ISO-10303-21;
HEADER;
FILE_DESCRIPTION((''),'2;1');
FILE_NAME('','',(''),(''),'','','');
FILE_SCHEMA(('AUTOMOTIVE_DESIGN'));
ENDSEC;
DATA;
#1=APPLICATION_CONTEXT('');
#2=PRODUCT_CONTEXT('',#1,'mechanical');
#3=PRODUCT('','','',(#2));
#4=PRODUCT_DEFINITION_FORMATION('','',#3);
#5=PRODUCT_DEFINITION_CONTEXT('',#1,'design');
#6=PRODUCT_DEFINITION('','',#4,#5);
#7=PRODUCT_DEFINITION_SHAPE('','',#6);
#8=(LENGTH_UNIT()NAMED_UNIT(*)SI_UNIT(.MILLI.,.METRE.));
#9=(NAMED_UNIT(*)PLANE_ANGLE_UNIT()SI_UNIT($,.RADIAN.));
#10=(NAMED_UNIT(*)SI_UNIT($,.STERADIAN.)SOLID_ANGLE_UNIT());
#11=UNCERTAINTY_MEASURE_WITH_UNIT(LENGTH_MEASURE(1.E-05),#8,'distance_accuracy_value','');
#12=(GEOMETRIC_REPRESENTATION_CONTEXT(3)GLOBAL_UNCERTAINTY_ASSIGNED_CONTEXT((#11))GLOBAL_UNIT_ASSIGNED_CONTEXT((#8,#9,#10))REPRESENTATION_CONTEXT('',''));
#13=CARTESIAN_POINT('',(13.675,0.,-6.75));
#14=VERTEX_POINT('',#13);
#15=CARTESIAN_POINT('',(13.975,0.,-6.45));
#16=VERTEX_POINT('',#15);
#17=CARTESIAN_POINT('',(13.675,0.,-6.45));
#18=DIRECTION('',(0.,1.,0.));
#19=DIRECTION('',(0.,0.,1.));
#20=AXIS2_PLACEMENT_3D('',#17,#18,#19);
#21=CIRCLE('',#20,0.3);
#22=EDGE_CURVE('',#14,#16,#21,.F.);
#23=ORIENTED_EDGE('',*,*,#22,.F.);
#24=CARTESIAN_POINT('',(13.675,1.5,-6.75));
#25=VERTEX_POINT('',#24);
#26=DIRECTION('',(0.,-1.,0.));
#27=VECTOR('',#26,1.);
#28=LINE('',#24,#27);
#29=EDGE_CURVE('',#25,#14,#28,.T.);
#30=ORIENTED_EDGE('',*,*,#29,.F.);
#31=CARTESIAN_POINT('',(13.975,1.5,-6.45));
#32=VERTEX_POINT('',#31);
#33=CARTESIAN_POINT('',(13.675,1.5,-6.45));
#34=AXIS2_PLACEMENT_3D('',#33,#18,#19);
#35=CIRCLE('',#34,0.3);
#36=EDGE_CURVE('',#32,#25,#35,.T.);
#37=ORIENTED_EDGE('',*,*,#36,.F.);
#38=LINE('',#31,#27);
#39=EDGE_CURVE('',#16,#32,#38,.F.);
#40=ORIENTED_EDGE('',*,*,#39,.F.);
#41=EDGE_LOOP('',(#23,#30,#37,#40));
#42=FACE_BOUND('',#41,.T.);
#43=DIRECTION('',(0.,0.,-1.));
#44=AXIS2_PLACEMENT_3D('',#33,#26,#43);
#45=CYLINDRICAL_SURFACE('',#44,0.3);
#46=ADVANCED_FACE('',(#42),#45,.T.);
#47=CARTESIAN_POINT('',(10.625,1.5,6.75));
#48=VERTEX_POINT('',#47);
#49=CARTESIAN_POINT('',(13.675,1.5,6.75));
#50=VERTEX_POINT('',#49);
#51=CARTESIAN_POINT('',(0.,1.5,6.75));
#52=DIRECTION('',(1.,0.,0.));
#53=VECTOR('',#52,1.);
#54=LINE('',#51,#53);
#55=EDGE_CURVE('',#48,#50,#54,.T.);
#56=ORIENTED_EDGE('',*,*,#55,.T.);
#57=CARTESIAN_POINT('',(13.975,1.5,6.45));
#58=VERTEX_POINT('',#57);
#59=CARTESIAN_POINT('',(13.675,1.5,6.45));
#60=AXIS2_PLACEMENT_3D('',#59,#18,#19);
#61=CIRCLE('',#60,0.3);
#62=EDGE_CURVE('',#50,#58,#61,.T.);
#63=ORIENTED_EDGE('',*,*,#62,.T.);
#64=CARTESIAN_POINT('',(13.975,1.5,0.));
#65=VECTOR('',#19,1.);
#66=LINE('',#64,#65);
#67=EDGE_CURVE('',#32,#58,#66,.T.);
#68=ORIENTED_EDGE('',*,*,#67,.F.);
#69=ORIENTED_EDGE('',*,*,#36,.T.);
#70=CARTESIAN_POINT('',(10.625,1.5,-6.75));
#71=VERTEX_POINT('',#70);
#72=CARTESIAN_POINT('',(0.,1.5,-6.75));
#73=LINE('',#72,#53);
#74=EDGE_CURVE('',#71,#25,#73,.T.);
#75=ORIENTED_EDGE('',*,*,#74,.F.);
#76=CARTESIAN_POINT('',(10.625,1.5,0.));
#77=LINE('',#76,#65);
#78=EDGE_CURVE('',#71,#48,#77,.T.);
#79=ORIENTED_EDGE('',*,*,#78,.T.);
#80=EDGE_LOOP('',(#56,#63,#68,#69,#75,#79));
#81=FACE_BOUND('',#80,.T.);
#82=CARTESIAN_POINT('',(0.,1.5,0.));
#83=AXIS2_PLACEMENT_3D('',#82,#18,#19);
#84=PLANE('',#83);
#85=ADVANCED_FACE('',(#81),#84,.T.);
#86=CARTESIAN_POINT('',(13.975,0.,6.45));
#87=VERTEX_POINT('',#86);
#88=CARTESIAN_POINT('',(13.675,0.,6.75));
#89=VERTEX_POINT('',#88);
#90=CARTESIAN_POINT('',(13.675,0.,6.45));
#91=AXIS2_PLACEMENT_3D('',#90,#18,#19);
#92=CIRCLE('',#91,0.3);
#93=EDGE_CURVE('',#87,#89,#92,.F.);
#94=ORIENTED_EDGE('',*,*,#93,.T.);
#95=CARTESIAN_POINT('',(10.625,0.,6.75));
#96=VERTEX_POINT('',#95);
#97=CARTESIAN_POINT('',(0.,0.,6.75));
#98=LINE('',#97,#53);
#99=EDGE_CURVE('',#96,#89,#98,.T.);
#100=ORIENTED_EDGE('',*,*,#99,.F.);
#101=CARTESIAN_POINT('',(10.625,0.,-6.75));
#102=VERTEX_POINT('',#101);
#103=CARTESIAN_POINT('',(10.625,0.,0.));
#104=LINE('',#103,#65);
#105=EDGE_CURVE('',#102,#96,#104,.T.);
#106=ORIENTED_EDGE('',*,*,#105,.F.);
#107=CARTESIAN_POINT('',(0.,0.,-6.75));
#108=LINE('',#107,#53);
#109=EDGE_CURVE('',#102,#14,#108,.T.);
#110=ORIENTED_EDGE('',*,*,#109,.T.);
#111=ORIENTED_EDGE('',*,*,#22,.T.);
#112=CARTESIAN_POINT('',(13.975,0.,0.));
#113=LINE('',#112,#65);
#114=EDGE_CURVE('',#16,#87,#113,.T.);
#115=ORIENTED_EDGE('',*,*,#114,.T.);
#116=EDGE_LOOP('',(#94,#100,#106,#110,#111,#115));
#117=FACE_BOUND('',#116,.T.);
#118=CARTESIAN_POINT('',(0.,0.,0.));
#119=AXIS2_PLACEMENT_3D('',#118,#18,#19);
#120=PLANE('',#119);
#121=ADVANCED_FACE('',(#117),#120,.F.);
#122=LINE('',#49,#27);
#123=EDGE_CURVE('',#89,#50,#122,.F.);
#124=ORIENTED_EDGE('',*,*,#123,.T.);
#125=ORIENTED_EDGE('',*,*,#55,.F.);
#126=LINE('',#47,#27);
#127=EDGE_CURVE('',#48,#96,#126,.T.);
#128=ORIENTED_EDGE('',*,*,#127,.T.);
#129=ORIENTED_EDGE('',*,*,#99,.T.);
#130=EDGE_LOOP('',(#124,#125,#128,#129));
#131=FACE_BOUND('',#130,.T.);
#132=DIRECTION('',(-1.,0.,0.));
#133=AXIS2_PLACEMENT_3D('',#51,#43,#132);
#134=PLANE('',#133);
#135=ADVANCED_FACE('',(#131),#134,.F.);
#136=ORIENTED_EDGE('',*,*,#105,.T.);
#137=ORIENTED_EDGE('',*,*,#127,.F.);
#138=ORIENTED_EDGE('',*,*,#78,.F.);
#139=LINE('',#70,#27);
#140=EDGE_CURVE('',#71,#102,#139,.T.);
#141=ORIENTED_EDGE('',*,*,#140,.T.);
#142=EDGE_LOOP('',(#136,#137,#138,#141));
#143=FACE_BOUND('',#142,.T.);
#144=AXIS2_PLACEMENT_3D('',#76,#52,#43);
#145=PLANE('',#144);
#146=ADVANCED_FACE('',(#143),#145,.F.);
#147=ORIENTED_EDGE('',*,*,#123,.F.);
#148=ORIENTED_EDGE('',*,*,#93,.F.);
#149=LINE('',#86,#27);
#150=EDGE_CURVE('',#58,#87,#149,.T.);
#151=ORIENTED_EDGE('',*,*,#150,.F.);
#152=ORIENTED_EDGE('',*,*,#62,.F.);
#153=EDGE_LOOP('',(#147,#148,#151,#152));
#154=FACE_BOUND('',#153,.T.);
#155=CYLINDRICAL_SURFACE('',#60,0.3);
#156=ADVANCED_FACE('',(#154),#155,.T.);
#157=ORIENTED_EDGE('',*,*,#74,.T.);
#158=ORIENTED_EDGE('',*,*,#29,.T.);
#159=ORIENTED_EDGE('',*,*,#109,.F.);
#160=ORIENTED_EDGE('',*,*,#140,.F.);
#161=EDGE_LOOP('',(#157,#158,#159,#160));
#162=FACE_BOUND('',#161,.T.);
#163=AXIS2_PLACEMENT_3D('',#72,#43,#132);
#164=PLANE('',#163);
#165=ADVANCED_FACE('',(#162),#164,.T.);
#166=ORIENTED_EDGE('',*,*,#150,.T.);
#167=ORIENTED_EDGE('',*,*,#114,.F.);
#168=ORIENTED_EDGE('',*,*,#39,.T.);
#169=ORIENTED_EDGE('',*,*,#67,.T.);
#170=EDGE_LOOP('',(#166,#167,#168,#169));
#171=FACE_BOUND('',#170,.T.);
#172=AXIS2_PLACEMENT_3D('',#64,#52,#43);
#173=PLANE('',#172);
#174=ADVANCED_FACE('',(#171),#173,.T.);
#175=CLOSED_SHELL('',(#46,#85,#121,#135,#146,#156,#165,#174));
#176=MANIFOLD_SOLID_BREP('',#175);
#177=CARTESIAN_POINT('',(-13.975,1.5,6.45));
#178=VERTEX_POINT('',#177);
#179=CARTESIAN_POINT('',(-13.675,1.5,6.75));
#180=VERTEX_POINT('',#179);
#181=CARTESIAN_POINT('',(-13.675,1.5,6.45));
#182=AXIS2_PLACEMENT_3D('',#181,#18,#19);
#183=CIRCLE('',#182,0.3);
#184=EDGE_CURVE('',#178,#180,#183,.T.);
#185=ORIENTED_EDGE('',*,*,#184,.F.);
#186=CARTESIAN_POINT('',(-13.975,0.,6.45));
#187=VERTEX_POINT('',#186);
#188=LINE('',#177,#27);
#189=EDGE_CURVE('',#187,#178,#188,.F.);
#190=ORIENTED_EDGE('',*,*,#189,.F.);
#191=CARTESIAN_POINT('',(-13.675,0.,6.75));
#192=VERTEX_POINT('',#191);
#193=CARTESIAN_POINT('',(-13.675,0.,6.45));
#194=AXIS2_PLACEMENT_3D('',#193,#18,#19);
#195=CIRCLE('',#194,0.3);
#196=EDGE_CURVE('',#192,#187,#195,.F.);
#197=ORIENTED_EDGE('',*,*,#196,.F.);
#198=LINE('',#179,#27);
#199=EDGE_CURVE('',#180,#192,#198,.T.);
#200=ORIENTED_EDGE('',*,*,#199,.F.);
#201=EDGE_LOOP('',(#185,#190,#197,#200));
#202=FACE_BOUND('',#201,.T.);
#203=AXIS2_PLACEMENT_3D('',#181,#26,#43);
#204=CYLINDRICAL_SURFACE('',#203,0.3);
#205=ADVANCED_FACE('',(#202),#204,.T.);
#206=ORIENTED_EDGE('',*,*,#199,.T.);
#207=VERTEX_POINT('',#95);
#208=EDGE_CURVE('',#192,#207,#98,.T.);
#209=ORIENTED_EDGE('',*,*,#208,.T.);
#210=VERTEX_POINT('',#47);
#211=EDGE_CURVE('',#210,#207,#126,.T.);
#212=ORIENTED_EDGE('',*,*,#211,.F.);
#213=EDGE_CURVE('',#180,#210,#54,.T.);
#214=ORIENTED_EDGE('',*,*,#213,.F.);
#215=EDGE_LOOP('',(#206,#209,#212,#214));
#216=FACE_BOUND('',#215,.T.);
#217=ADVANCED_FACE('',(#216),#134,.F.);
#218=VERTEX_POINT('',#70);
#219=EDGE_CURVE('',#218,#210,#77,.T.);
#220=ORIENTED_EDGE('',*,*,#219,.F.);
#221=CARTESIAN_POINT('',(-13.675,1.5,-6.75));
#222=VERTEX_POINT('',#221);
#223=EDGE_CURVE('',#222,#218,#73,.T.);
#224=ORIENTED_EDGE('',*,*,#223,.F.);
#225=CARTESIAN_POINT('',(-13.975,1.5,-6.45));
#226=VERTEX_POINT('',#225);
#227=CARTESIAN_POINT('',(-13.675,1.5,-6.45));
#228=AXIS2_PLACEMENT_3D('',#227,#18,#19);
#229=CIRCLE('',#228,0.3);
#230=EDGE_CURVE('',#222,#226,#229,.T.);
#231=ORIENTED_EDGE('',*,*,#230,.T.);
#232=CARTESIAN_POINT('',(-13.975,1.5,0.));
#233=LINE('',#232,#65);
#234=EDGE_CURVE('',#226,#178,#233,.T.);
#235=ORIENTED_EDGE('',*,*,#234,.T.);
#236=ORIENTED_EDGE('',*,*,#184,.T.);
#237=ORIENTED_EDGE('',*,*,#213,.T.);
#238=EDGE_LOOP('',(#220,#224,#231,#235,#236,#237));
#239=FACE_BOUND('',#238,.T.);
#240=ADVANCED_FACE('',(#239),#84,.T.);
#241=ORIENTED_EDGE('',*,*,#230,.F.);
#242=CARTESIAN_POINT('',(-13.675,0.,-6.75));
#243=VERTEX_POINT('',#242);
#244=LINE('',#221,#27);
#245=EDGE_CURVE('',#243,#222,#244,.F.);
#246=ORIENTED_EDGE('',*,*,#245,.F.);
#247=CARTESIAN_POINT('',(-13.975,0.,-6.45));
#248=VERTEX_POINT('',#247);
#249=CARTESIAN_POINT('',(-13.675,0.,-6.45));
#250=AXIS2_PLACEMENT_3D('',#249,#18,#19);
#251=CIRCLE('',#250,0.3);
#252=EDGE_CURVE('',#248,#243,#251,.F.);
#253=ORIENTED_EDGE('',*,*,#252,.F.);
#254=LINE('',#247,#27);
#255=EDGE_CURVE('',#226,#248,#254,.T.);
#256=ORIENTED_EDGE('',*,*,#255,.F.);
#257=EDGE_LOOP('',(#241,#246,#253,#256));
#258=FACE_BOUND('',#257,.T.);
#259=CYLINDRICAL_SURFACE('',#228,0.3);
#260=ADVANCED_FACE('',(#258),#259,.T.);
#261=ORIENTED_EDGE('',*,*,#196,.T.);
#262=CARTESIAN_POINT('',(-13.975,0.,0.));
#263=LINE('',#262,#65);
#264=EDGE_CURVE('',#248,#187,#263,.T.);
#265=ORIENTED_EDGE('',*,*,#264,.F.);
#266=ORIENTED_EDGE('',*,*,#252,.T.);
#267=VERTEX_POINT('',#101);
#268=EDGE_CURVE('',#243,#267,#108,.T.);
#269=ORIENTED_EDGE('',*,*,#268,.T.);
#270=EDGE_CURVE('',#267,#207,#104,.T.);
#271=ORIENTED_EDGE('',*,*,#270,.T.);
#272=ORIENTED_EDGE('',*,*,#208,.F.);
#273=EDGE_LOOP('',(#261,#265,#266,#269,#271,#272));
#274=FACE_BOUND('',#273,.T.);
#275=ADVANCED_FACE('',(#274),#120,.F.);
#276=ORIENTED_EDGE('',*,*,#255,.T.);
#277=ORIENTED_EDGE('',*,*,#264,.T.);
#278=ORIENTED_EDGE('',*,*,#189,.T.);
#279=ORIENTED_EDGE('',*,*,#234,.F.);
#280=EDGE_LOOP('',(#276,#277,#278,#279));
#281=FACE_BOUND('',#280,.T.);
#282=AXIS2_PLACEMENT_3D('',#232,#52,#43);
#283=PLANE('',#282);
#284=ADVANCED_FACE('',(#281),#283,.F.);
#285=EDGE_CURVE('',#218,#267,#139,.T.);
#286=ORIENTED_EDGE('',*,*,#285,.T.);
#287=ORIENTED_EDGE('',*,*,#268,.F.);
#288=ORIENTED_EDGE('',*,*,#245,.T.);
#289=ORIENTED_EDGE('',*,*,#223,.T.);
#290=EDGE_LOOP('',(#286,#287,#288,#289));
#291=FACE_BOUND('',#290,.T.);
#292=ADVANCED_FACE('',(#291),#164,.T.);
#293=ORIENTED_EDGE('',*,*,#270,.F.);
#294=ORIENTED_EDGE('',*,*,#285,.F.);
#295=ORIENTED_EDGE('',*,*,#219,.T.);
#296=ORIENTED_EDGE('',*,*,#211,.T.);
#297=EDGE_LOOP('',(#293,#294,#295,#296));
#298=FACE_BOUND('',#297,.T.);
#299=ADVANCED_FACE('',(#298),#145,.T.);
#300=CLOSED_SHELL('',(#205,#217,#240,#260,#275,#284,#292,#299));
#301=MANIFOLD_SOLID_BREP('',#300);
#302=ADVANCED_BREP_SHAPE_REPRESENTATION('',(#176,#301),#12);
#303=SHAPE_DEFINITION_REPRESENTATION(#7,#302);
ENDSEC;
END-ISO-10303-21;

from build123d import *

# Parameters (mm, degrees)
SKETCH_1_W      = 24.6
SKETCH_1_H      = 13.5
EXTRUDE_1_DEPTH = 1.5
SKETCH_1_3_W    = 3.35
SKETCH_1_3_H    = 13.5
EXTRUDE_2_DEPTH = 1.5
FILLET_1_R      = 0.3
FILLET_2_R      = 0.3


with BuildPart() as part:
    # 草图1 → 凸台-拉伸1 (new body)
    with BuildSketch(Plane(origin=(0, 0, 0), x_dir=(1, 0, 0), z_dir=(0, 1, 0))):
        with Locations((-1.675, 0)):
            Rectangle(SKETCH_1_W, SKETCH_1_H)
    extrude(amount=EXTRUDE_1_DEPTH)

    # 圆角2
    fillet_2_edges = [part.edges().sort_by_distance(p)[0] for p in [
        (-13.975, 0.75, 6.75),
        (-13.975, 0.75, -6.75),
    ]]
    fillet(fillet_2_edges, radius=FILLET_2_R)


with BuildPart() as body_2:
    # 草图1<3> → 凸台-拉伸2 (new body)
    with BuildSketch(Plane(origin=(0, 0, 0), x_dir=(1, 0, 0), z_dir=(0, 1, 0))):
        with Locations((12.3, 0)):
            Rectangle(SKETCH_1_3_W, SKETCH_1_3_H)
    extrude(amount=EXTRUDE_2_DEPTH)

    # 圆角1
    fillet_1_edges = [body_2.edges().sort_by_distance(p)[0] for p in [
        (13.975, 0.75, -6.75),
        (13.975, 0.75, 6.75),
    ]]
    fillet(fillet_1_edges, radius=FILLET_1_R)


solid = Compound([part.part, body_2.part])
